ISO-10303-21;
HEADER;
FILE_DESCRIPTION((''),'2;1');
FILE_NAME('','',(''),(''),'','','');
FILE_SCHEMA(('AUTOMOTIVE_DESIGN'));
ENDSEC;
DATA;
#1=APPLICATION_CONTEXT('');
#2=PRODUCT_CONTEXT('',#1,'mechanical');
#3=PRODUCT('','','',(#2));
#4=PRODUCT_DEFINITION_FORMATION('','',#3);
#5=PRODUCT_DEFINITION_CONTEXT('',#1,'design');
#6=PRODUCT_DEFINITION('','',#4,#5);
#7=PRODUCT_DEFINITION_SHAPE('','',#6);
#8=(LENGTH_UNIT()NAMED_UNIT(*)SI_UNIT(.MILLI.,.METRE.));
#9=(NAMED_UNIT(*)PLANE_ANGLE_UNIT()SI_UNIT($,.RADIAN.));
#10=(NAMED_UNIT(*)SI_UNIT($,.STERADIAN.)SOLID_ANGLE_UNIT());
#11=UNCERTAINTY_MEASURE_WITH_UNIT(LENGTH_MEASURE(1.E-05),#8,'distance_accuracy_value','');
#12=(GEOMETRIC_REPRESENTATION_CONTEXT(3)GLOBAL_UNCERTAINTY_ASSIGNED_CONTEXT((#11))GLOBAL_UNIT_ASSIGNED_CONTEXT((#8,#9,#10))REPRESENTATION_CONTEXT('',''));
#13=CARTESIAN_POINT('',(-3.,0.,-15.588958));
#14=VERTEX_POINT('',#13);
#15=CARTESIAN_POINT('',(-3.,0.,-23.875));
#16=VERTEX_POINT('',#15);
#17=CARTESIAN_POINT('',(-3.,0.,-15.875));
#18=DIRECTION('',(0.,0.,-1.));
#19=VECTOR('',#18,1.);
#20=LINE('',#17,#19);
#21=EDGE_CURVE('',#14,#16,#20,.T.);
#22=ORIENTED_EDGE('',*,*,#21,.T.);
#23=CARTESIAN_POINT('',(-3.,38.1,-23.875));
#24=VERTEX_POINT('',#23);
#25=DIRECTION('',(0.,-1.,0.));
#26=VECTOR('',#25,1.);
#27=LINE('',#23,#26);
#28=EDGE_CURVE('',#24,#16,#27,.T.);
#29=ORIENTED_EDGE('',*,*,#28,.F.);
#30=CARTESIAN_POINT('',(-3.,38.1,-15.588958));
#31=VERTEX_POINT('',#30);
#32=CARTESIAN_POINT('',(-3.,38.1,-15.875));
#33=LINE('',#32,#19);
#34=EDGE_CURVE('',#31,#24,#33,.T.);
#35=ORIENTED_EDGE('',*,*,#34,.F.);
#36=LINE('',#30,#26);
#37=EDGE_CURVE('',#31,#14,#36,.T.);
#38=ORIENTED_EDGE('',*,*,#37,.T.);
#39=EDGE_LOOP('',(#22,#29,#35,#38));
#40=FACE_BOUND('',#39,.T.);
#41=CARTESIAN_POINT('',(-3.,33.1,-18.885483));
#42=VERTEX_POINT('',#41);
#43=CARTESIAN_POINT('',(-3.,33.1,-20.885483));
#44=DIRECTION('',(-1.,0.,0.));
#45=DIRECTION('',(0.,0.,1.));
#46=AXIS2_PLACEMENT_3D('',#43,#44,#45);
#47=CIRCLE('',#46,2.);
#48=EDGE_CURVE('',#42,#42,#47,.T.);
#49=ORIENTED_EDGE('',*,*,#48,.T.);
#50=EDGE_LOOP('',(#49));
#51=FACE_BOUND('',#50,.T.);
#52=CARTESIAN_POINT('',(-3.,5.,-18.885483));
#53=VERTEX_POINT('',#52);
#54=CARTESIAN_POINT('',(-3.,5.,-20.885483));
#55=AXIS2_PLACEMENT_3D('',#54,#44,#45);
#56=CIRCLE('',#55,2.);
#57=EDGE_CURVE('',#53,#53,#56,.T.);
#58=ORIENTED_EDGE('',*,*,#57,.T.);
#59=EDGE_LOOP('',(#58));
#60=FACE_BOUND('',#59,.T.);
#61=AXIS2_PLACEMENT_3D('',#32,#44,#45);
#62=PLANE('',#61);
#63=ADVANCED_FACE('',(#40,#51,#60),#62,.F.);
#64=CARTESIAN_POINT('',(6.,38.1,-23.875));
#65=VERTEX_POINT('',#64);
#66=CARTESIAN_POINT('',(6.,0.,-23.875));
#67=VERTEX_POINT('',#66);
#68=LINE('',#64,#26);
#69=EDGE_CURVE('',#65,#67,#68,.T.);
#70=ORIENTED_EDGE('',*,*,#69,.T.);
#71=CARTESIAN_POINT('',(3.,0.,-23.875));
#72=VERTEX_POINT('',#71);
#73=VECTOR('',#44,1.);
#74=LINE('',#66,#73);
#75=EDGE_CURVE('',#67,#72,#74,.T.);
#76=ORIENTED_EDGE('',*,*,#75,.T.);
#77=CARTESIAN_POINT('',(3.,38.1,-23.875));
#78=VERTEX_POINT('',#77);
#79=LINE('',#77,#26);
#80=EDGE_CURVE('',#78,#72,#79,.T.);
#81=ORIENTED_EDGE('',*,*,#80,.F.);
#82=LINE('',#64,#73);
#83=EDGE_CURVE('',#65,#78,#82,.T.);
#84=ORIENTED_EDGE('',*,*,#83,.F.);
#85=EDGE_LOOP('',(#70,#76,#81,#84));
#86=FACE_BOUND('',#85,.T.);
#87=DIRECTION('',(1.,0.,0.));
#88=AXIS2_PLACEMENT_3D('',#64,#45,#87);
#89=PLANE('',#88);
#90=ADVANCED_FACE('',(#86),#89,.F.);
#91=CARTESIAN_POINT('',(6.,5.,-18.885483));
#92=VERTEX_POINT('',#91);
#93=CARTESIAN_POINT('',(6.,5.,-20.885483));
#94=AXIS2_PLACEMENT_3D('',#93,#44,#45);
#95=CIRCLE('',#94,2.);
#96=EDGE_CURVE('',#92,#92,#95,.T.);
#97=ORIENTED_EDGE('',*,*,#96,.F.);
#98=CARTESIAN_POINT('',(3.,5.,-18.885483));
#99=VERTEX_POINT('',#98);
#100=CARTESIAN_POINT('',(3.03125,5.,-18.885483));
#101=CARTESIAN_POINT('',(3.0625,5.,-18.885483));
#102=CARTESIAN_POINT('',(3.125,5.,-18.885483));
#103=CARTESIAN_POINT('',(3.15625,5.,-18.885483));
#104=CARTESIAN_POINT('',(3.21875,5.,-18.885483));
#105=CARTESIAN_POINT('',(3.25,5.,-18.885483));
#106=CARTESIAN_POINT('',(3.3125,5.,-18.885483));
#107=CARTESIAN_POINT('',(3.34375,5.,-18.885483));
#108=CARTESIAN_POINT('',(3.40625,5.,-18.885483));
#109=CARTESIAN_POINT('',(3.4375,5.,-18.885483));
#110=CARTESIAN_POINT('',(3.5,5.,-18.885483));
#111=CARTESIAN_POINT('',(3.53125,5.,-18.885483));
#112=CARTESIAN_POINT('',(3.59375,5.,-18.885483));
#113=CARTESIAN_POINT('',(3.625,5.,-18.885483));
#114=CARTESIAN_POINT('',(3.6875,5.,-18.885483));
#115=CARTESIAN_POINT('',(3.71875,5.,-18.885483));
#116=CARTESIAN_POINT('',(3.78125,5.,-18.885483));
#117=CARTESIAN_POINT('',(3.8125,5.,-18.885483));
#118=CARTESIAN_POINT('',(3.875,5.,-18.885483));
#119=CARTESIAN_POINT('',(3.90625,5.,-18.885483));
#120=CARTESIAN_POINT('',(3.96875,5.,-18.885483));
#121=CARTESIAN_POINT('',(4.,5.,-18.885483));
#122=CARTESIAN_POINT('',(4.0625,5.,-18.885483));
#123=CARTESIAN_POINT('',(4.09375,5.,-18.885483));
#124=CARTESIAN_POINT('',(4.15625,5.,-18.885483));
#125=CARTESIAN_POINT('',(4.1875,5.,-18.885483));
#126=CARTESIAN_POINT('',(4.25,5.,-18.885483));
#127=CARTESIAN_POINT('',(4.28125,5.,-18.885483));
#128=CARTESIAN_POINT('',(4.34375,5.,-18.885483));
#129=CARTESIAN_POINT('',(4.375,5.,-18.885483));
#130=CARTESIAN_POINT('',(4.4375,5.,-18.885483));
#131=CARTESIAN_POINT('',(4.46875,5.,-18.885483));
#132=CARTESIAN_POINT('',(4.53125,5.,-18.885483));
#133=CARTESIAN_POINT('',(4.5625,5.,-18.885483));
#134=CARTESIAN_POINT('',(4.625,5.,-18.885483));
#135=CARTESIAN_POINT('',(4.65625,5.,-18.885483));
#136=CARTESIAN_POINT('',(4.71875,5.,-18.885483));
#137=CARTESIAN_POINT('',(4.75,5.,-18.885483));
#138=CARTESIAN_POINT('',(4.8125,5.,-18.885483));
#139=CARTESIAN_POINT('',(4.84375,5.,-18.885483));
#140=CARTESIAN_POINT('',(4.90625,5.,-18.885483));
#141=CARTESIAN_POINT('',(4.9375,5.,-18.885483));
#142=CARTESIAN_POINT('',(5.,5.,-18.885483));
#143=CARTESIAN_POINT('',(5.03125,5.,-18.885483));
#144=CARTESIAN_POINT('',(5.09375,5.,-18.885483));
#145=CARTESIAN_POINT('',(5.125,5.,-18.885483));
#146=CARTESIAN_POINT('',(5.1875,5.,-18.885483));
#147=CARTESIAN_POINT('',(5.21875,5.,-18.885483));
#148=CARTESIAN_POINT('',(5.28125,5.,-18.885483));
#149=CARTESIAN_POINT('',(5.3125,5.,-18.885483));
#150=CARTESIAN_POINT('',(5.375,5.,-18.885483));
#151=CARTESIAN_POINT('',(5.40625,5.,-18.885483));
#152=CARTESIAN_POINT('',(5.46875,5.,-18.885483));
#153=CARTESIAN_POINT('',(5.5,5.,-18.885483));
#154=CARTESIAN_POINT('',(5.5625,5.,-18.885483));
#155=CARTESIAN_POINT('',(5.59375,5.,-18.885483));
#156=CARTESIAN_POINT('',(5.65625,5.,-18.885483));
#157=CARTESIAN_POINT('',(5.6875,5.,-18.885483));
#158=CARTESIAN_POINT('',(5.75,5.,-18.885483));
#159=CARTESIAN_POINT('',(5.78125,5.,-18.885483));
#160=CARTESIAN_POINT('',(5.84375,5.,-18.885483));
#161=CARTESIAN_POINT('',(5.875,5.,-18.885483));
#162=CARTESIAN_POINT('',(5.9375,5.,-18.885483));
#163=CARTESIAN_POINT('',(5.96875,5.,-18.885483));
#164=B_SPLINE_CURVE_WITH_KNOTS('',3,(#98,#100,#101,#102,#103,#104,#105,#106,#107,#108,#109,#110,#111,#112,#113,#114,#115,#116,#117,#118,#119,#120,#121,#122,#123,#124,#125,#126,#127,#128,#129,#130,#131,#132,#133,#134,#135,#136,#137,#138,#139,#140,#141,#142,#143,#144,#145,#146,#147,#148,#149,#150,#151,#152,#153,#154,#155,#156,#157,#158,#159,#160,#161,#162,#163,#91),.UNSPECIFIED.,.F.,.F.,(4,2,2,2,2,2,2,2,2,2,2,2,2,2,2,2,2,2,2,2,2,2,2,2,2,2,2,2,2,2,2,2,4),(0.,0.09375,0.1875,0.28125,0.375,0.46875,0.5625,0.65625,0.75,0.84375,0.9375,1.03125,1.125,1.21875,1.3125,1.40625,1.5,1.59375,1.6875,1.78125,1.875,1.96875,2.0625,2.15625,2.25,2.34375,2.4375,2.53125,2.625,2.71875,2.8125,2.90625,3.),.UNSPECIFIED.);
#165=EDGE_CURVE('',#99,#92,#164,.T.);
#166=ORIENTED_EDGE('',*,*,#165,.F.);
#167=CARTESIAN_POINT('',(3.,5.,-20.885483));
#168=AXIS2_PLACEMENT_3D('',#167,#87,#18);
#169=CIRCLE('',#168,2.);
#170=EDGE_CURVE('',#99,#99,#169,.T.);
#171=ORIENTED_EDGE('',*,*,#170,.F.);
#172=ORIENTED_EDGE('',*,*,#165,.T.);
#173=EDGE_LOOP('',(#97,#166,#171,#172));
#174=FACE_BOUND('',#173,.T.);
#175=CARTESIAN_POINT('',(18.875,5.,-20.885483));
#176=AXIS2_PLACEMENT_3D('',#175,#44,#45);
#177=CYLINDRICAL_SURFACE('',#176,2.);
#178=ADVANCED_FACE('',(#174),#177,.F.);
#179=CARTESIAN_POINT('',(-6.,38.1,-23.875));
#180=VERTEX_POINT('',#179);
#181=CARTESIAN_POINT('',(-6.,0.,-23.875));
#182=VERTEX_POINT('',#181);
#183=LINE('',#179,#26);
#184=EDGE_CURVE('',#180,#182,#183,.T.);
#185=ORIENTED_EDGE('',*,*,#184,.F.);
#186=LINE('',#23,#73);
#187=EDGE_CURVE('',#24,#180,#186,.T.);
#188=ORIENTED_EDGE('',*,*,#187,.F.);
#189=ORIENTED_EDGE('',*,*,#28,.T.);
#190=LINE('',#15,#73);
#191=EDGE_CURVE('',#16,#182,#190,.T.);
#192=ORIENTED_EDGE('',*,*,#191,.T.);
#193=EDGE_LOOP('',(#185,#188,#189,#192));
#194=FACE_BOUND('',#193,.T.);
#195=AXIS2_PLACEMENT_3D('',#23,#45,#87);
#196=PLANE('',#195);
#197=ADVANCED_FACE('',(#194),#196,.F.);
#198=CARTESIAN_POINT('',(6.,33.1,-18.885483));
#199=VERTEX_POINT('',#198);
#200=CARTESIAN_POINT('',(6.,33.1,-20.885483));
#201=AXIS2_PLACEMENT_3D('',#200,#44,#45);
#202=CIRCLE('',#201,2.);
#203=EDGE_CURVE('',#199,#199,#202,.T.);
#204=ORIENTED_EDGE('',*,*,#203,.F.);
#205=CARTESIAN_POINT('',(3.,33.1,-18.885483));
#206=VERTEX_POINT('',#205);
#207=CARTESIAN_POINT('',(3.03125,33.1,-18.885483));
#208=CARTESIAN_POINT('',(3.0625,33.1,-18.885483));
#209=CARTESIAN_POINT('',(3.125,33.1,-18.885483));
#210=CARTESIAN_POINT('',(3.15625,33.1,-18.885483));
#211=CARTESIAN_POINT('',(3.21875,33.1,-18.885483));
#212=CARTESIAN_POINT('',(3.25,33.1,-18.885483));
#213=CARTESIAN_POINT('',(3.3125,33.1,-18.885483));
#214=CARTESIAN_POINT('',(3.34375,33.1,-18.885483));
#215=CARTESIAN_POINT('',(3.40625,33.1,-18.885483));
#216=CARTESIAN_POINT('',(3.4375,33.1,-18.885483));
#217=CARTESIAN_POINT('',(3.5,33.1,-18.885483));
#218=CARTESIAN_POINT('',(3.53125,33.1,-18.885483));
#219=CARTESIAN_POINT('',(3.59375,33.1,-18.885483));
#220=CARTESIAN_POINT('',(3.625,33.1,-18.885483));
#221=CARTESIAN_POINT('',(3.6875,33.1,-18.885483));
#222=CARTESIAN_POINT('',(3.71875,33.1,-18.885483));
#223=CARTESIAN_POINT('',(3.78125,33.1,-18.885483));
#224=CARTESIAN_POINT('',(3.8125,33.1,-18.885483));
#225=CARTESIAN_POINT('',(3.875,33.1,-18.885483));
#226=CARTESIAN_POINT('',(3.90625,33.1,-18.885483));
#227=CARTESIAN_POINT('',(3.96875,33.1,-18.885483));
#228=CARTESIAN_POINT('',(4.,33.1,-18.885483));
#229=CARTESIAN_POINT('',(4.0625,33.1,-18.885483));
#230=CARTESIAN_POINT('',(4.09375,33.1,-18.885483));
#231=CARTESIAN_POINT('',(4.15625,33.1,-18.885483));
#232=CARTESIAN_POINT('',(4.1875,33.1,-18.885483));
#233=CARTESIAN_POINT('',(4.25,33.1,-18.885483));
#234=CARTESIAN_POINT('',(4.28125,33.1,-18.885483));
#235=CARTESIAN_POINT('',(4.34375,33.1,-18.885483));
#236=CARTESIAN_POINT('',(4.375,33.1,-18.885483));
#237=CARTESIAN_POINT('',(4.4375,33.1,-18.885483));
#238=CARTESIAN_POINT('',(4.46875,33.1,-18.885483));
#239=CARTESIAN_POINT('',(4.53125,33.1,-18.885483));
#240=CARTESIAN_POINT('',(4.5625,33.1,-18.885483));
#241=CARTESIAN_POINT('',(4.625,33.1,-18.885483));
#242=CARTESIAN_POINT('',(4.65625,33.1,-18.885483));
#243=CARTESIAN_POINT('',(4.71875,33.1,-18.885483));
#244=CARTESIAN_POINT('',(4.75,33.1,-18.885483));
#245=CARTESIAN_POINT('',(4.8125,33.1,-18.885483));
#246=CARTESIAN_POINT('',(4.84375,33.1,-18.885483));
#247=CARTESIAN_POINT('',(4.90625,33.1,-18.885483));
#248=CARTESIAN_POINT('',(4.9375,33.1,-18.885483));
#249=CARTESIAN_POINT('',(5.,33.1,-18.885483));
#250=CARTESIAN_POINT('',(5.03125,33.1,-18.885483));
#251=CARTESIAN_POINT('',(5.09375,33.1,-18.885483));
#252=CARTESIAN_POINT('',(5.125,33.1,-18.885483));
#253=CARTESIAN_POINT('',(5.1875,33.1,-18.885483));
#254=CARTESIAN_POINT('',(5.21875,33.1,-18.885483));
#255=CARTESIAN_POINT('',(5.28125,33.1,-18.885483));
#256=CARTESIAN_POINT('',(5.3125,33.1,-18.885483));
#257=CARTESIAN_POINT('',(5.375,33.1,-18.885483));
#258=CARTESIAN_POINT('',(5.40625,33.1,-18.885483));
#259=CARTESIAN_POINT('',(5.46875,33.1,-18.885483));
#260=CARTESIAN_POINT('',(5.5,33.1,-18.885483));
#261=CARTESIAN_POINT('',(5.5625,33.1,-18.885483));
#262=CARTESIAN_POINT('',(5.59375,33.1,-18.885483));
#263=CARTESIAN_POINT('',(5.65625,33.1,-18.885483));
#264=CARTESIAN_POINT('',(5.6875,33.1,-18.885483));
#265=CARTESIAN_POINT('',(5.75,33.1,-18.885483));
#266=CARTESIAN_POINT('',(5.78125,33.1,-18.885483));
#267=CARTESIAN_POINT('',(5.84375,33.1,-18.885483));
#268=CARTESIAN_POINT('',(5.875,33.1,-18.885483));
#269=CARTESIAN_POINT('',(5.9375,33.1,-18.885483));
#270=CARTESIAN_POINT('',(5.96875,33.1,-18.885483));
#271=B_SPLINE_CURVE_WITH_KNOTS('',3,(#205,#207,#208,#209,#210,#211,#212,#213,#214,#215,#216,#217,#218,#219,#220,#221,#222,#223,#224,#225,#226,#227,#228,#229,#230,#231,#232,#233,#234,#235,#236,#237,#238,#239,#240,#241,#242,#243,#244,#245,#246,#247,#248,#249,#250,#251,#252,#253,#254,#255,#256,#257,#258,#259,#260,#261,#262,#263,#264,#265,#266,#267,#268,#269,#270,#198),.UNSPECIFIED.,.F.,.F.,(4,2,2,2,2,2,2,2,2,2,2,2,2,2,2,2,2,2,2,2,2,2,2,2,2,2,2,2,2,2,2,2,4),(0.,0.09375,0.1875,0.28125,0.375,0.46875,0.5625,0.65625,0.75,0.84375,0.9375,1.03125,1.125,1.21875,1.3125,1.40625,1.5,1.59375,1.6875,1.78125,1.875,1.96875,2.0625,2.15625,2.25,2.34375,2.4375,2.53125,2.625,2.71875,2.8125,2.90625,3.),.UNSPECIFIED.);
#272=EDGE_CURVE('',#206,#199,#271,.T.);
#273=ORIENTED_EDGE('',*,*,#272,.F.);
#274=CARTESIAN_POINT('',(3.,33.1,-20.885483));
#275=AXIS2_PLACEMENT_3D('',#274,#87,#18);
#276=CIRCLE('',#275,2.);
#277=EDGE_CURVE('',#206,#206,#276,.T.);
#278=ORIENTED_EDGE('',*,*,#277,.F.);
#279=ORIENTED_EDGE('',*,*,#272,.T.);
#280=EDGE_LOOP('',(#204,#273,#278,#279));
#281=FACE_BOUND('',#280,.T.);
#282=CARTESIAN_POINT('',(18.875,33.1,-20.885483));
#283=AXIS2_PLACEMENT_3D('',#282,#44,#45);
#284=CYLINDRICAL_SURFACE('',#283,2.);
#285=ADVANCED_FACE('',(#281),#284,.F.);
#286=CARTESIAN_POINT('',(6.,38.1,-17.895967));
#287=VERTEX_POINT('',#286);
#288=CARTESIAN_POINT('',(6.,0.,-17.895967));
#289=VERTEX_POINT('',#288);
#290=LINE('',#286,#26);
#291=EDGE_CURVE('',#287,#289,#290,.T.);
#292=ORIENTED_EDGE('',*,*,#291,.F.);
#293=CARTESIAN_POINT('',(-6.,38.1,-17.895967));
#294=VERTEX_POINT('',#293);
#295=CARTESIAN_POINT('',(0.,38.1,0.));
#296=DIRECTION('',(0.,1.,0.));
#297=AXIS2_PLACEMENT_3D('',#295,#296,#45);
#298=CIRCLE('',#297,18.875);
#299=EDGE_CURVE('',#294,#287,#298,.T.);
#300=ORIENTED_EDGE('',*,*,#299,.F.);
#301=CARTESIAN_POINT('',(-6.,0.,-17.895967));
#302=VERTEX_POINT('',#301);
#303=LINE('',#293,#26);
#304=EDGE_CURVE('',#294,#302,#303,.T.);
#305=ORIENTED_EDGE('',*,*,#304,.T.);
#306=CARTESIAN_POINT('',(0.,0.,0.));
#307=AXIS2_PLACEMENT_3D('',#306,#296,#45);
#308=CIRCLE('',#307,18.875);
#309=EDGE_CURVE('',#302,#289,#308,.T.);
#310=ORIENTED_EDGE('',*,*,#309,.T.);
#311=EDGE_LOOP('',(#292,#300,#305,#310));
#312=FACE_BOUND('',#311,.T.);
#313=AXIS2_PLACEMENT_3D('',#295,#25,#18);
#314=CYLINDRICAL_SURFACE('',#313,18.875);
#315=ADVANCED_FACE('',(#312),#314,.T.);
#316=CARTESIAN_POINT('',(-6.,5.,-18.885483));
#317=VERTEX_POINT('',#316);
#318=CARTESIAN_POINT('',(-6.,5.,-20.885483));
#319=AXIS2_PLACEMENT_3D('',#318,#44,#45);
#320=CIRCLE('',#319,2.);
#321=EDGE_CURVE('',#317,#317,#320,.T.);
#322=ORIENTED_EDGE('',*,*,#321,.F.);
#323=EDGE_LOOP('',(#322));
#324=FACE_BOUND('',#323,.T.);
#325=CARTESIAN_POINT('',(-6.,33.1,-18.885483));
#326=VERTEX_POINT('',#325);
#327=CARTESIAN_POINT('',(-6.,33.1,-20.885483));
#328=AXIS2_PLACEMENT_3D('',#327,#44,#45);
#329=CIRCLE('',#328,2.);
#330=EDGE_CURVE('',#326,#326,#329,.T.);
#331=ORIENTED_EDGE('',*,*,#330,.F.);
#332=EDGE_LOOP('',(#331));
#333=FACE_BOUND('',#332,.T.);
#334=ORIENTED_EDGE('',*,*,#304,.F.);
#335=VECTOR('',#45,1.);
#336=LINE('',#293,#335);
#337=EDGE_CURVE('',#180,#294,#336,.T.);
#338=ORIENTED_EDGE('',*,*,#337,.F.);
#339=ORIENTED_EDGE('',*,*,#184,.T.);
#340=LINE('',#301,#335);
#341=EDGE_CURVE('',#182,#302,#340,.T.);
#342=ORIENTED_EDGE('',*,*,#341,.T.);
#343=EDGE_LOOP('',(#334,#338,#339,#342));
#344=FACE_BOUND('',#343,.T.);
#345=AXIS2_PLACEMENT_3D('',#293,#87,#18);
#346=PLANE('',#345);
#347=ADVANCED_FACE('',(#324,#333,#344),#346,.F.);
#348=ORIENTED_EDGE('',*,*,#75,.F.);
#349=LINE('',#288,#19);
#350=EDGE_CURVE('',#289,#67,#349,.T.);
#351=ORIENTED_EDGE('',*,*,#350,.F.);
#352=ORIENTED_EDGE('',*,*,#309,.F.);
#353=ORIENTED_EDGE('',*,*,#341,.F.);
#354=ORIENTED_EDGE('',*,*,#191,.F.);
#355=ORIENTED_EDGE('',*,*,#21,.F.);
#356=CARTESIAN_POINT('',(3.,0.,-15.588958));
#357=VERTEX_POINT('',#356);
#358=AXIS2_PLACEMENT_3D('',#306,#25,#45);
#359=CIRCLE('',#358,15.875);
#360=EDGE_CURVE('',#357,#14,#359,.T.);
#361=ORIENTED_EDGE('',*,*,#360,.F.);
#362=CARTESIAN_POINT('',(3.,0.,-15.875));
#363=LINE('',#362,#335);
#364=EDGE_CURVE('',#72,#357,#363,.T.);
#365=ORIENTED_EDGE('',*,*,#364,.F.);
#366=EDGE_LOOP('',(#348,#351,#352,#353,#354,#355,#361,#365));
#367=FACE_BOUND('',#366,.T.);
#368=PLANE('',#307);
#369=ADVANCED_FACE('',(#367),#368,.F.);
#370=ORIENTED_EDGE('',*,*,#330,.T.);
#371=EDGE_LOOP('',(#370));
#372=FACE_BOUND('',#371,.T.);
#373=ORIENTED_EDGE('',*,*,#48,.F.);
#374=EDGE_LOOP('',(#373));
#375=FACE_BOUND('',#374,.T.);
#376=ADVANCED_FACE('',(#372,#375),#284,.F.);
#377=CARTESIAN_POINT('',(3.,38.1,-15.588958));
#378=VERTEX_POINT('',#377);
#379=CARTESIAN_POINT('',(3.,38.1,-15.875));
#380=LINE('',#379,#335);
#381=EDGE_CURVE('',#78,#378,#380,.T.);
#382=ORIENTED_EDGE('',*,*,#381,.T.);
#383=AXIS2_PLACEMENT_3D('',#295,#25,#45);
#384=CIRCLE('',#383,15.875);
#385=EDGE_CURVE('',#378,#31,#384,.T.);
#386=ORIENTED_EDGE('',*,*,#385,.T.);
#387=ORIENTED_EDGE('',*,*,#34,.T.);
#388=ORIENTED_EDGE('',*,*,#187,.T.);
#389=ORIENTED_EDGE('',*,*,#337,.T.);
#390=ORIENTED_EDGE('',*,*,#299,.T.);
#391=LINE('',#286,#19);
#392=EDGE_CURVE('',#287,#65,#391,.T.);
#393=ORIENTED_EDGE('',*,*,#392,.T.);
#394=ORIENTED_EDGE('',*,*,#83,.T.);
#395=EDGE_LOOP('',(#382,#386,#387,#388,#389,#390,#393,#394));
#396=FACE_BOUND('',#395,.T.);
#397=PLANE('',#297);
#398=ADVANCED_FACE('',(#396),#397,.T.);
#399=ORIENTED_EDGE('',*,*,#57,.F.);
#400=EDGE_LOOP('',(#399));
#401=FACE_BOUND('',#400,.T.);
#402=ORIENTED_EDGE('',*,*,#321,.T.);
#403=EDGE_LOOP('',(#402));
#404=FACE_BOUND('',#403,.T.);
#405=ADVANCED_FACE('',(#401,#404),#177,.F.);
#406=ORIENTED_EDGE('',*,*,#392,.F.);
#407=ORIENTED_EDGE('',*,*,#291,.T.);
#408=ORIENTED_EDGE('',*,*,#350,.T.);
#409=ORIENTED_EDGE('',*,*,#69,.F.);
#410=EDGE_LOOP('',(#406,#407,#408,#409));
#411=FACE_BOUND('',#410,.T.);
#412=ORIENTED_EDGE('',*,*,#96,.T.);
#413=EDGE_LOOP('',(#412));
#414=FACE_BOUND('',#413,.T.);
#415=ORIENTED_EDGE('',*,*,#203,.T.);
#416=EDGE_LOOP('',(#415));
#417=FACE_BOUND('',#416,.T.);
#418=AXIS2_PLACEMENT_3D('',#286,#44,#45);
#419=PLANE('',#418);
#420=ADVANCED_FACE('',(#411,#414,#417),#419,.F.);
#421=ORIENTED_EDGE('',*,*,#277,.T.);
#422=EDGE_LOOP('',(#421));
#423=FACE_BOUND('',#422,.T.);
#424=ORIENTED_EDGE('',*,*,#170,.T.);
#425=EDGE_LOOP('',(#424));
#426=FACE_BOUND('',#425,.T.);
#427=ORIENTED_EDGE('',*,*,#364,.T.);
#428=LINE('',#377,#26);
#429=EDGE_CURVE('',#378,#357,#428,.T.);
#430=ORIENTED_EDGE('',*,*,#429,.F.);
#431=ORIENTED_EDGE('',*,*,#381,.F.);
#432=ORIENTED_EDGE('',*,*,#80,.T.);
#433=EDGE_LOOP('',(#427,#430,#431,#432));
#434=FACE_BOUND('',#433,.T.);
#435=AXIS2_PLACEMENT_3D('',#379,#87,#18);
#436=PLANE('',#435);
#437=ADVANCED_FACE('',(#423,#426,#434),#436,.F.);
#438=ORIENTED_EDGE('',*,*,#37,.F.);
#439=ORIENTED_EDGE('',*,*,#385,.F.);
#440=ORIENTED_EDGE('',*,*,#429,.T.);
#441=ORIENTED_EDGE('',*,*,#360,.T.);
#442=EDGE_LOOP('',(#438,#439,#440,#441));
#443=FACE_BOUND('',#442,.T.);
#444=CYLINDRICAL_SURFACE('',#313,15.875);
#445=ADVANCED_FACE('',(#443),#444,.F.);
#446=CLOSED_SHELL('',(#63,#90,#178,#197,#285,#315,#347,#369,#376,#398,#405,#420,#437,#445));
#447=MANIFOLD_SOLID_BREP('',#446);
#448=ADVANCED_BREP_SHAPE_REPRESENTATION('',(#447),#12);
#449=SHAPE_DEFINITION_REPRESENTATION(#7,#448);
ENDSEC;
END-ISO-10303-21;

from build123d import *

# Parameters (mm, degrees)
BOSS_EXTRUDE1_DEPTH = 38.1
SKETCH2_R           = 2
CUT_EXTRUDE1_DEPTH  = 52.38473752


with BuildPart() as part:
    # Sketch1 → Boss-Extrude1 (new body)
    with BuildSketch(Plane(origin=(0, 0, 0), x_dir=(1, 0, 0), z_dir=(0, 1, 0))):
        with BuildLine():
            Line((3, 15.875), (3, 23.875))
            Line((3, 23.875), (6, 23.875))
            Line((6, 23.875), (6, 17.895966724))
            ThreePointArc((6, 17.895966724), (0, -18.875), (-6, 17.895966724))
            Line((-6, 17.895966724), (-6, 23.875))
            Line((-6, 23.875), (-3, 23.875))
            Line((-3, 23.875), (-3, 15.875))
            Line((-3, 15.875), (-3, 15.588958432))
            ThreePointArc((-3, 15.588958432), (0, -15.875), (3, 15.588958432))
            Line((3, 15.588958432), (3, 15.875))
        make_face()
    extrude(amount=BOSS_EXTRUDE1_DEPTH)

    # Sketch2 → Cut-Extrude1 (cut, through all)
    with BuildSketch(Plane.ZY.offset(6)):
        with Locations((-20.885483362, 33.1)):
            Circle(SKETCH2_R)
        with Locations((-20.885483362, 5)):
            Circle(SKETCH2_R)
    extrude(amount=-CUT_EXTRUDE1_DEPTH, mode=Mode.SUBTRACT)


solid = part.part
